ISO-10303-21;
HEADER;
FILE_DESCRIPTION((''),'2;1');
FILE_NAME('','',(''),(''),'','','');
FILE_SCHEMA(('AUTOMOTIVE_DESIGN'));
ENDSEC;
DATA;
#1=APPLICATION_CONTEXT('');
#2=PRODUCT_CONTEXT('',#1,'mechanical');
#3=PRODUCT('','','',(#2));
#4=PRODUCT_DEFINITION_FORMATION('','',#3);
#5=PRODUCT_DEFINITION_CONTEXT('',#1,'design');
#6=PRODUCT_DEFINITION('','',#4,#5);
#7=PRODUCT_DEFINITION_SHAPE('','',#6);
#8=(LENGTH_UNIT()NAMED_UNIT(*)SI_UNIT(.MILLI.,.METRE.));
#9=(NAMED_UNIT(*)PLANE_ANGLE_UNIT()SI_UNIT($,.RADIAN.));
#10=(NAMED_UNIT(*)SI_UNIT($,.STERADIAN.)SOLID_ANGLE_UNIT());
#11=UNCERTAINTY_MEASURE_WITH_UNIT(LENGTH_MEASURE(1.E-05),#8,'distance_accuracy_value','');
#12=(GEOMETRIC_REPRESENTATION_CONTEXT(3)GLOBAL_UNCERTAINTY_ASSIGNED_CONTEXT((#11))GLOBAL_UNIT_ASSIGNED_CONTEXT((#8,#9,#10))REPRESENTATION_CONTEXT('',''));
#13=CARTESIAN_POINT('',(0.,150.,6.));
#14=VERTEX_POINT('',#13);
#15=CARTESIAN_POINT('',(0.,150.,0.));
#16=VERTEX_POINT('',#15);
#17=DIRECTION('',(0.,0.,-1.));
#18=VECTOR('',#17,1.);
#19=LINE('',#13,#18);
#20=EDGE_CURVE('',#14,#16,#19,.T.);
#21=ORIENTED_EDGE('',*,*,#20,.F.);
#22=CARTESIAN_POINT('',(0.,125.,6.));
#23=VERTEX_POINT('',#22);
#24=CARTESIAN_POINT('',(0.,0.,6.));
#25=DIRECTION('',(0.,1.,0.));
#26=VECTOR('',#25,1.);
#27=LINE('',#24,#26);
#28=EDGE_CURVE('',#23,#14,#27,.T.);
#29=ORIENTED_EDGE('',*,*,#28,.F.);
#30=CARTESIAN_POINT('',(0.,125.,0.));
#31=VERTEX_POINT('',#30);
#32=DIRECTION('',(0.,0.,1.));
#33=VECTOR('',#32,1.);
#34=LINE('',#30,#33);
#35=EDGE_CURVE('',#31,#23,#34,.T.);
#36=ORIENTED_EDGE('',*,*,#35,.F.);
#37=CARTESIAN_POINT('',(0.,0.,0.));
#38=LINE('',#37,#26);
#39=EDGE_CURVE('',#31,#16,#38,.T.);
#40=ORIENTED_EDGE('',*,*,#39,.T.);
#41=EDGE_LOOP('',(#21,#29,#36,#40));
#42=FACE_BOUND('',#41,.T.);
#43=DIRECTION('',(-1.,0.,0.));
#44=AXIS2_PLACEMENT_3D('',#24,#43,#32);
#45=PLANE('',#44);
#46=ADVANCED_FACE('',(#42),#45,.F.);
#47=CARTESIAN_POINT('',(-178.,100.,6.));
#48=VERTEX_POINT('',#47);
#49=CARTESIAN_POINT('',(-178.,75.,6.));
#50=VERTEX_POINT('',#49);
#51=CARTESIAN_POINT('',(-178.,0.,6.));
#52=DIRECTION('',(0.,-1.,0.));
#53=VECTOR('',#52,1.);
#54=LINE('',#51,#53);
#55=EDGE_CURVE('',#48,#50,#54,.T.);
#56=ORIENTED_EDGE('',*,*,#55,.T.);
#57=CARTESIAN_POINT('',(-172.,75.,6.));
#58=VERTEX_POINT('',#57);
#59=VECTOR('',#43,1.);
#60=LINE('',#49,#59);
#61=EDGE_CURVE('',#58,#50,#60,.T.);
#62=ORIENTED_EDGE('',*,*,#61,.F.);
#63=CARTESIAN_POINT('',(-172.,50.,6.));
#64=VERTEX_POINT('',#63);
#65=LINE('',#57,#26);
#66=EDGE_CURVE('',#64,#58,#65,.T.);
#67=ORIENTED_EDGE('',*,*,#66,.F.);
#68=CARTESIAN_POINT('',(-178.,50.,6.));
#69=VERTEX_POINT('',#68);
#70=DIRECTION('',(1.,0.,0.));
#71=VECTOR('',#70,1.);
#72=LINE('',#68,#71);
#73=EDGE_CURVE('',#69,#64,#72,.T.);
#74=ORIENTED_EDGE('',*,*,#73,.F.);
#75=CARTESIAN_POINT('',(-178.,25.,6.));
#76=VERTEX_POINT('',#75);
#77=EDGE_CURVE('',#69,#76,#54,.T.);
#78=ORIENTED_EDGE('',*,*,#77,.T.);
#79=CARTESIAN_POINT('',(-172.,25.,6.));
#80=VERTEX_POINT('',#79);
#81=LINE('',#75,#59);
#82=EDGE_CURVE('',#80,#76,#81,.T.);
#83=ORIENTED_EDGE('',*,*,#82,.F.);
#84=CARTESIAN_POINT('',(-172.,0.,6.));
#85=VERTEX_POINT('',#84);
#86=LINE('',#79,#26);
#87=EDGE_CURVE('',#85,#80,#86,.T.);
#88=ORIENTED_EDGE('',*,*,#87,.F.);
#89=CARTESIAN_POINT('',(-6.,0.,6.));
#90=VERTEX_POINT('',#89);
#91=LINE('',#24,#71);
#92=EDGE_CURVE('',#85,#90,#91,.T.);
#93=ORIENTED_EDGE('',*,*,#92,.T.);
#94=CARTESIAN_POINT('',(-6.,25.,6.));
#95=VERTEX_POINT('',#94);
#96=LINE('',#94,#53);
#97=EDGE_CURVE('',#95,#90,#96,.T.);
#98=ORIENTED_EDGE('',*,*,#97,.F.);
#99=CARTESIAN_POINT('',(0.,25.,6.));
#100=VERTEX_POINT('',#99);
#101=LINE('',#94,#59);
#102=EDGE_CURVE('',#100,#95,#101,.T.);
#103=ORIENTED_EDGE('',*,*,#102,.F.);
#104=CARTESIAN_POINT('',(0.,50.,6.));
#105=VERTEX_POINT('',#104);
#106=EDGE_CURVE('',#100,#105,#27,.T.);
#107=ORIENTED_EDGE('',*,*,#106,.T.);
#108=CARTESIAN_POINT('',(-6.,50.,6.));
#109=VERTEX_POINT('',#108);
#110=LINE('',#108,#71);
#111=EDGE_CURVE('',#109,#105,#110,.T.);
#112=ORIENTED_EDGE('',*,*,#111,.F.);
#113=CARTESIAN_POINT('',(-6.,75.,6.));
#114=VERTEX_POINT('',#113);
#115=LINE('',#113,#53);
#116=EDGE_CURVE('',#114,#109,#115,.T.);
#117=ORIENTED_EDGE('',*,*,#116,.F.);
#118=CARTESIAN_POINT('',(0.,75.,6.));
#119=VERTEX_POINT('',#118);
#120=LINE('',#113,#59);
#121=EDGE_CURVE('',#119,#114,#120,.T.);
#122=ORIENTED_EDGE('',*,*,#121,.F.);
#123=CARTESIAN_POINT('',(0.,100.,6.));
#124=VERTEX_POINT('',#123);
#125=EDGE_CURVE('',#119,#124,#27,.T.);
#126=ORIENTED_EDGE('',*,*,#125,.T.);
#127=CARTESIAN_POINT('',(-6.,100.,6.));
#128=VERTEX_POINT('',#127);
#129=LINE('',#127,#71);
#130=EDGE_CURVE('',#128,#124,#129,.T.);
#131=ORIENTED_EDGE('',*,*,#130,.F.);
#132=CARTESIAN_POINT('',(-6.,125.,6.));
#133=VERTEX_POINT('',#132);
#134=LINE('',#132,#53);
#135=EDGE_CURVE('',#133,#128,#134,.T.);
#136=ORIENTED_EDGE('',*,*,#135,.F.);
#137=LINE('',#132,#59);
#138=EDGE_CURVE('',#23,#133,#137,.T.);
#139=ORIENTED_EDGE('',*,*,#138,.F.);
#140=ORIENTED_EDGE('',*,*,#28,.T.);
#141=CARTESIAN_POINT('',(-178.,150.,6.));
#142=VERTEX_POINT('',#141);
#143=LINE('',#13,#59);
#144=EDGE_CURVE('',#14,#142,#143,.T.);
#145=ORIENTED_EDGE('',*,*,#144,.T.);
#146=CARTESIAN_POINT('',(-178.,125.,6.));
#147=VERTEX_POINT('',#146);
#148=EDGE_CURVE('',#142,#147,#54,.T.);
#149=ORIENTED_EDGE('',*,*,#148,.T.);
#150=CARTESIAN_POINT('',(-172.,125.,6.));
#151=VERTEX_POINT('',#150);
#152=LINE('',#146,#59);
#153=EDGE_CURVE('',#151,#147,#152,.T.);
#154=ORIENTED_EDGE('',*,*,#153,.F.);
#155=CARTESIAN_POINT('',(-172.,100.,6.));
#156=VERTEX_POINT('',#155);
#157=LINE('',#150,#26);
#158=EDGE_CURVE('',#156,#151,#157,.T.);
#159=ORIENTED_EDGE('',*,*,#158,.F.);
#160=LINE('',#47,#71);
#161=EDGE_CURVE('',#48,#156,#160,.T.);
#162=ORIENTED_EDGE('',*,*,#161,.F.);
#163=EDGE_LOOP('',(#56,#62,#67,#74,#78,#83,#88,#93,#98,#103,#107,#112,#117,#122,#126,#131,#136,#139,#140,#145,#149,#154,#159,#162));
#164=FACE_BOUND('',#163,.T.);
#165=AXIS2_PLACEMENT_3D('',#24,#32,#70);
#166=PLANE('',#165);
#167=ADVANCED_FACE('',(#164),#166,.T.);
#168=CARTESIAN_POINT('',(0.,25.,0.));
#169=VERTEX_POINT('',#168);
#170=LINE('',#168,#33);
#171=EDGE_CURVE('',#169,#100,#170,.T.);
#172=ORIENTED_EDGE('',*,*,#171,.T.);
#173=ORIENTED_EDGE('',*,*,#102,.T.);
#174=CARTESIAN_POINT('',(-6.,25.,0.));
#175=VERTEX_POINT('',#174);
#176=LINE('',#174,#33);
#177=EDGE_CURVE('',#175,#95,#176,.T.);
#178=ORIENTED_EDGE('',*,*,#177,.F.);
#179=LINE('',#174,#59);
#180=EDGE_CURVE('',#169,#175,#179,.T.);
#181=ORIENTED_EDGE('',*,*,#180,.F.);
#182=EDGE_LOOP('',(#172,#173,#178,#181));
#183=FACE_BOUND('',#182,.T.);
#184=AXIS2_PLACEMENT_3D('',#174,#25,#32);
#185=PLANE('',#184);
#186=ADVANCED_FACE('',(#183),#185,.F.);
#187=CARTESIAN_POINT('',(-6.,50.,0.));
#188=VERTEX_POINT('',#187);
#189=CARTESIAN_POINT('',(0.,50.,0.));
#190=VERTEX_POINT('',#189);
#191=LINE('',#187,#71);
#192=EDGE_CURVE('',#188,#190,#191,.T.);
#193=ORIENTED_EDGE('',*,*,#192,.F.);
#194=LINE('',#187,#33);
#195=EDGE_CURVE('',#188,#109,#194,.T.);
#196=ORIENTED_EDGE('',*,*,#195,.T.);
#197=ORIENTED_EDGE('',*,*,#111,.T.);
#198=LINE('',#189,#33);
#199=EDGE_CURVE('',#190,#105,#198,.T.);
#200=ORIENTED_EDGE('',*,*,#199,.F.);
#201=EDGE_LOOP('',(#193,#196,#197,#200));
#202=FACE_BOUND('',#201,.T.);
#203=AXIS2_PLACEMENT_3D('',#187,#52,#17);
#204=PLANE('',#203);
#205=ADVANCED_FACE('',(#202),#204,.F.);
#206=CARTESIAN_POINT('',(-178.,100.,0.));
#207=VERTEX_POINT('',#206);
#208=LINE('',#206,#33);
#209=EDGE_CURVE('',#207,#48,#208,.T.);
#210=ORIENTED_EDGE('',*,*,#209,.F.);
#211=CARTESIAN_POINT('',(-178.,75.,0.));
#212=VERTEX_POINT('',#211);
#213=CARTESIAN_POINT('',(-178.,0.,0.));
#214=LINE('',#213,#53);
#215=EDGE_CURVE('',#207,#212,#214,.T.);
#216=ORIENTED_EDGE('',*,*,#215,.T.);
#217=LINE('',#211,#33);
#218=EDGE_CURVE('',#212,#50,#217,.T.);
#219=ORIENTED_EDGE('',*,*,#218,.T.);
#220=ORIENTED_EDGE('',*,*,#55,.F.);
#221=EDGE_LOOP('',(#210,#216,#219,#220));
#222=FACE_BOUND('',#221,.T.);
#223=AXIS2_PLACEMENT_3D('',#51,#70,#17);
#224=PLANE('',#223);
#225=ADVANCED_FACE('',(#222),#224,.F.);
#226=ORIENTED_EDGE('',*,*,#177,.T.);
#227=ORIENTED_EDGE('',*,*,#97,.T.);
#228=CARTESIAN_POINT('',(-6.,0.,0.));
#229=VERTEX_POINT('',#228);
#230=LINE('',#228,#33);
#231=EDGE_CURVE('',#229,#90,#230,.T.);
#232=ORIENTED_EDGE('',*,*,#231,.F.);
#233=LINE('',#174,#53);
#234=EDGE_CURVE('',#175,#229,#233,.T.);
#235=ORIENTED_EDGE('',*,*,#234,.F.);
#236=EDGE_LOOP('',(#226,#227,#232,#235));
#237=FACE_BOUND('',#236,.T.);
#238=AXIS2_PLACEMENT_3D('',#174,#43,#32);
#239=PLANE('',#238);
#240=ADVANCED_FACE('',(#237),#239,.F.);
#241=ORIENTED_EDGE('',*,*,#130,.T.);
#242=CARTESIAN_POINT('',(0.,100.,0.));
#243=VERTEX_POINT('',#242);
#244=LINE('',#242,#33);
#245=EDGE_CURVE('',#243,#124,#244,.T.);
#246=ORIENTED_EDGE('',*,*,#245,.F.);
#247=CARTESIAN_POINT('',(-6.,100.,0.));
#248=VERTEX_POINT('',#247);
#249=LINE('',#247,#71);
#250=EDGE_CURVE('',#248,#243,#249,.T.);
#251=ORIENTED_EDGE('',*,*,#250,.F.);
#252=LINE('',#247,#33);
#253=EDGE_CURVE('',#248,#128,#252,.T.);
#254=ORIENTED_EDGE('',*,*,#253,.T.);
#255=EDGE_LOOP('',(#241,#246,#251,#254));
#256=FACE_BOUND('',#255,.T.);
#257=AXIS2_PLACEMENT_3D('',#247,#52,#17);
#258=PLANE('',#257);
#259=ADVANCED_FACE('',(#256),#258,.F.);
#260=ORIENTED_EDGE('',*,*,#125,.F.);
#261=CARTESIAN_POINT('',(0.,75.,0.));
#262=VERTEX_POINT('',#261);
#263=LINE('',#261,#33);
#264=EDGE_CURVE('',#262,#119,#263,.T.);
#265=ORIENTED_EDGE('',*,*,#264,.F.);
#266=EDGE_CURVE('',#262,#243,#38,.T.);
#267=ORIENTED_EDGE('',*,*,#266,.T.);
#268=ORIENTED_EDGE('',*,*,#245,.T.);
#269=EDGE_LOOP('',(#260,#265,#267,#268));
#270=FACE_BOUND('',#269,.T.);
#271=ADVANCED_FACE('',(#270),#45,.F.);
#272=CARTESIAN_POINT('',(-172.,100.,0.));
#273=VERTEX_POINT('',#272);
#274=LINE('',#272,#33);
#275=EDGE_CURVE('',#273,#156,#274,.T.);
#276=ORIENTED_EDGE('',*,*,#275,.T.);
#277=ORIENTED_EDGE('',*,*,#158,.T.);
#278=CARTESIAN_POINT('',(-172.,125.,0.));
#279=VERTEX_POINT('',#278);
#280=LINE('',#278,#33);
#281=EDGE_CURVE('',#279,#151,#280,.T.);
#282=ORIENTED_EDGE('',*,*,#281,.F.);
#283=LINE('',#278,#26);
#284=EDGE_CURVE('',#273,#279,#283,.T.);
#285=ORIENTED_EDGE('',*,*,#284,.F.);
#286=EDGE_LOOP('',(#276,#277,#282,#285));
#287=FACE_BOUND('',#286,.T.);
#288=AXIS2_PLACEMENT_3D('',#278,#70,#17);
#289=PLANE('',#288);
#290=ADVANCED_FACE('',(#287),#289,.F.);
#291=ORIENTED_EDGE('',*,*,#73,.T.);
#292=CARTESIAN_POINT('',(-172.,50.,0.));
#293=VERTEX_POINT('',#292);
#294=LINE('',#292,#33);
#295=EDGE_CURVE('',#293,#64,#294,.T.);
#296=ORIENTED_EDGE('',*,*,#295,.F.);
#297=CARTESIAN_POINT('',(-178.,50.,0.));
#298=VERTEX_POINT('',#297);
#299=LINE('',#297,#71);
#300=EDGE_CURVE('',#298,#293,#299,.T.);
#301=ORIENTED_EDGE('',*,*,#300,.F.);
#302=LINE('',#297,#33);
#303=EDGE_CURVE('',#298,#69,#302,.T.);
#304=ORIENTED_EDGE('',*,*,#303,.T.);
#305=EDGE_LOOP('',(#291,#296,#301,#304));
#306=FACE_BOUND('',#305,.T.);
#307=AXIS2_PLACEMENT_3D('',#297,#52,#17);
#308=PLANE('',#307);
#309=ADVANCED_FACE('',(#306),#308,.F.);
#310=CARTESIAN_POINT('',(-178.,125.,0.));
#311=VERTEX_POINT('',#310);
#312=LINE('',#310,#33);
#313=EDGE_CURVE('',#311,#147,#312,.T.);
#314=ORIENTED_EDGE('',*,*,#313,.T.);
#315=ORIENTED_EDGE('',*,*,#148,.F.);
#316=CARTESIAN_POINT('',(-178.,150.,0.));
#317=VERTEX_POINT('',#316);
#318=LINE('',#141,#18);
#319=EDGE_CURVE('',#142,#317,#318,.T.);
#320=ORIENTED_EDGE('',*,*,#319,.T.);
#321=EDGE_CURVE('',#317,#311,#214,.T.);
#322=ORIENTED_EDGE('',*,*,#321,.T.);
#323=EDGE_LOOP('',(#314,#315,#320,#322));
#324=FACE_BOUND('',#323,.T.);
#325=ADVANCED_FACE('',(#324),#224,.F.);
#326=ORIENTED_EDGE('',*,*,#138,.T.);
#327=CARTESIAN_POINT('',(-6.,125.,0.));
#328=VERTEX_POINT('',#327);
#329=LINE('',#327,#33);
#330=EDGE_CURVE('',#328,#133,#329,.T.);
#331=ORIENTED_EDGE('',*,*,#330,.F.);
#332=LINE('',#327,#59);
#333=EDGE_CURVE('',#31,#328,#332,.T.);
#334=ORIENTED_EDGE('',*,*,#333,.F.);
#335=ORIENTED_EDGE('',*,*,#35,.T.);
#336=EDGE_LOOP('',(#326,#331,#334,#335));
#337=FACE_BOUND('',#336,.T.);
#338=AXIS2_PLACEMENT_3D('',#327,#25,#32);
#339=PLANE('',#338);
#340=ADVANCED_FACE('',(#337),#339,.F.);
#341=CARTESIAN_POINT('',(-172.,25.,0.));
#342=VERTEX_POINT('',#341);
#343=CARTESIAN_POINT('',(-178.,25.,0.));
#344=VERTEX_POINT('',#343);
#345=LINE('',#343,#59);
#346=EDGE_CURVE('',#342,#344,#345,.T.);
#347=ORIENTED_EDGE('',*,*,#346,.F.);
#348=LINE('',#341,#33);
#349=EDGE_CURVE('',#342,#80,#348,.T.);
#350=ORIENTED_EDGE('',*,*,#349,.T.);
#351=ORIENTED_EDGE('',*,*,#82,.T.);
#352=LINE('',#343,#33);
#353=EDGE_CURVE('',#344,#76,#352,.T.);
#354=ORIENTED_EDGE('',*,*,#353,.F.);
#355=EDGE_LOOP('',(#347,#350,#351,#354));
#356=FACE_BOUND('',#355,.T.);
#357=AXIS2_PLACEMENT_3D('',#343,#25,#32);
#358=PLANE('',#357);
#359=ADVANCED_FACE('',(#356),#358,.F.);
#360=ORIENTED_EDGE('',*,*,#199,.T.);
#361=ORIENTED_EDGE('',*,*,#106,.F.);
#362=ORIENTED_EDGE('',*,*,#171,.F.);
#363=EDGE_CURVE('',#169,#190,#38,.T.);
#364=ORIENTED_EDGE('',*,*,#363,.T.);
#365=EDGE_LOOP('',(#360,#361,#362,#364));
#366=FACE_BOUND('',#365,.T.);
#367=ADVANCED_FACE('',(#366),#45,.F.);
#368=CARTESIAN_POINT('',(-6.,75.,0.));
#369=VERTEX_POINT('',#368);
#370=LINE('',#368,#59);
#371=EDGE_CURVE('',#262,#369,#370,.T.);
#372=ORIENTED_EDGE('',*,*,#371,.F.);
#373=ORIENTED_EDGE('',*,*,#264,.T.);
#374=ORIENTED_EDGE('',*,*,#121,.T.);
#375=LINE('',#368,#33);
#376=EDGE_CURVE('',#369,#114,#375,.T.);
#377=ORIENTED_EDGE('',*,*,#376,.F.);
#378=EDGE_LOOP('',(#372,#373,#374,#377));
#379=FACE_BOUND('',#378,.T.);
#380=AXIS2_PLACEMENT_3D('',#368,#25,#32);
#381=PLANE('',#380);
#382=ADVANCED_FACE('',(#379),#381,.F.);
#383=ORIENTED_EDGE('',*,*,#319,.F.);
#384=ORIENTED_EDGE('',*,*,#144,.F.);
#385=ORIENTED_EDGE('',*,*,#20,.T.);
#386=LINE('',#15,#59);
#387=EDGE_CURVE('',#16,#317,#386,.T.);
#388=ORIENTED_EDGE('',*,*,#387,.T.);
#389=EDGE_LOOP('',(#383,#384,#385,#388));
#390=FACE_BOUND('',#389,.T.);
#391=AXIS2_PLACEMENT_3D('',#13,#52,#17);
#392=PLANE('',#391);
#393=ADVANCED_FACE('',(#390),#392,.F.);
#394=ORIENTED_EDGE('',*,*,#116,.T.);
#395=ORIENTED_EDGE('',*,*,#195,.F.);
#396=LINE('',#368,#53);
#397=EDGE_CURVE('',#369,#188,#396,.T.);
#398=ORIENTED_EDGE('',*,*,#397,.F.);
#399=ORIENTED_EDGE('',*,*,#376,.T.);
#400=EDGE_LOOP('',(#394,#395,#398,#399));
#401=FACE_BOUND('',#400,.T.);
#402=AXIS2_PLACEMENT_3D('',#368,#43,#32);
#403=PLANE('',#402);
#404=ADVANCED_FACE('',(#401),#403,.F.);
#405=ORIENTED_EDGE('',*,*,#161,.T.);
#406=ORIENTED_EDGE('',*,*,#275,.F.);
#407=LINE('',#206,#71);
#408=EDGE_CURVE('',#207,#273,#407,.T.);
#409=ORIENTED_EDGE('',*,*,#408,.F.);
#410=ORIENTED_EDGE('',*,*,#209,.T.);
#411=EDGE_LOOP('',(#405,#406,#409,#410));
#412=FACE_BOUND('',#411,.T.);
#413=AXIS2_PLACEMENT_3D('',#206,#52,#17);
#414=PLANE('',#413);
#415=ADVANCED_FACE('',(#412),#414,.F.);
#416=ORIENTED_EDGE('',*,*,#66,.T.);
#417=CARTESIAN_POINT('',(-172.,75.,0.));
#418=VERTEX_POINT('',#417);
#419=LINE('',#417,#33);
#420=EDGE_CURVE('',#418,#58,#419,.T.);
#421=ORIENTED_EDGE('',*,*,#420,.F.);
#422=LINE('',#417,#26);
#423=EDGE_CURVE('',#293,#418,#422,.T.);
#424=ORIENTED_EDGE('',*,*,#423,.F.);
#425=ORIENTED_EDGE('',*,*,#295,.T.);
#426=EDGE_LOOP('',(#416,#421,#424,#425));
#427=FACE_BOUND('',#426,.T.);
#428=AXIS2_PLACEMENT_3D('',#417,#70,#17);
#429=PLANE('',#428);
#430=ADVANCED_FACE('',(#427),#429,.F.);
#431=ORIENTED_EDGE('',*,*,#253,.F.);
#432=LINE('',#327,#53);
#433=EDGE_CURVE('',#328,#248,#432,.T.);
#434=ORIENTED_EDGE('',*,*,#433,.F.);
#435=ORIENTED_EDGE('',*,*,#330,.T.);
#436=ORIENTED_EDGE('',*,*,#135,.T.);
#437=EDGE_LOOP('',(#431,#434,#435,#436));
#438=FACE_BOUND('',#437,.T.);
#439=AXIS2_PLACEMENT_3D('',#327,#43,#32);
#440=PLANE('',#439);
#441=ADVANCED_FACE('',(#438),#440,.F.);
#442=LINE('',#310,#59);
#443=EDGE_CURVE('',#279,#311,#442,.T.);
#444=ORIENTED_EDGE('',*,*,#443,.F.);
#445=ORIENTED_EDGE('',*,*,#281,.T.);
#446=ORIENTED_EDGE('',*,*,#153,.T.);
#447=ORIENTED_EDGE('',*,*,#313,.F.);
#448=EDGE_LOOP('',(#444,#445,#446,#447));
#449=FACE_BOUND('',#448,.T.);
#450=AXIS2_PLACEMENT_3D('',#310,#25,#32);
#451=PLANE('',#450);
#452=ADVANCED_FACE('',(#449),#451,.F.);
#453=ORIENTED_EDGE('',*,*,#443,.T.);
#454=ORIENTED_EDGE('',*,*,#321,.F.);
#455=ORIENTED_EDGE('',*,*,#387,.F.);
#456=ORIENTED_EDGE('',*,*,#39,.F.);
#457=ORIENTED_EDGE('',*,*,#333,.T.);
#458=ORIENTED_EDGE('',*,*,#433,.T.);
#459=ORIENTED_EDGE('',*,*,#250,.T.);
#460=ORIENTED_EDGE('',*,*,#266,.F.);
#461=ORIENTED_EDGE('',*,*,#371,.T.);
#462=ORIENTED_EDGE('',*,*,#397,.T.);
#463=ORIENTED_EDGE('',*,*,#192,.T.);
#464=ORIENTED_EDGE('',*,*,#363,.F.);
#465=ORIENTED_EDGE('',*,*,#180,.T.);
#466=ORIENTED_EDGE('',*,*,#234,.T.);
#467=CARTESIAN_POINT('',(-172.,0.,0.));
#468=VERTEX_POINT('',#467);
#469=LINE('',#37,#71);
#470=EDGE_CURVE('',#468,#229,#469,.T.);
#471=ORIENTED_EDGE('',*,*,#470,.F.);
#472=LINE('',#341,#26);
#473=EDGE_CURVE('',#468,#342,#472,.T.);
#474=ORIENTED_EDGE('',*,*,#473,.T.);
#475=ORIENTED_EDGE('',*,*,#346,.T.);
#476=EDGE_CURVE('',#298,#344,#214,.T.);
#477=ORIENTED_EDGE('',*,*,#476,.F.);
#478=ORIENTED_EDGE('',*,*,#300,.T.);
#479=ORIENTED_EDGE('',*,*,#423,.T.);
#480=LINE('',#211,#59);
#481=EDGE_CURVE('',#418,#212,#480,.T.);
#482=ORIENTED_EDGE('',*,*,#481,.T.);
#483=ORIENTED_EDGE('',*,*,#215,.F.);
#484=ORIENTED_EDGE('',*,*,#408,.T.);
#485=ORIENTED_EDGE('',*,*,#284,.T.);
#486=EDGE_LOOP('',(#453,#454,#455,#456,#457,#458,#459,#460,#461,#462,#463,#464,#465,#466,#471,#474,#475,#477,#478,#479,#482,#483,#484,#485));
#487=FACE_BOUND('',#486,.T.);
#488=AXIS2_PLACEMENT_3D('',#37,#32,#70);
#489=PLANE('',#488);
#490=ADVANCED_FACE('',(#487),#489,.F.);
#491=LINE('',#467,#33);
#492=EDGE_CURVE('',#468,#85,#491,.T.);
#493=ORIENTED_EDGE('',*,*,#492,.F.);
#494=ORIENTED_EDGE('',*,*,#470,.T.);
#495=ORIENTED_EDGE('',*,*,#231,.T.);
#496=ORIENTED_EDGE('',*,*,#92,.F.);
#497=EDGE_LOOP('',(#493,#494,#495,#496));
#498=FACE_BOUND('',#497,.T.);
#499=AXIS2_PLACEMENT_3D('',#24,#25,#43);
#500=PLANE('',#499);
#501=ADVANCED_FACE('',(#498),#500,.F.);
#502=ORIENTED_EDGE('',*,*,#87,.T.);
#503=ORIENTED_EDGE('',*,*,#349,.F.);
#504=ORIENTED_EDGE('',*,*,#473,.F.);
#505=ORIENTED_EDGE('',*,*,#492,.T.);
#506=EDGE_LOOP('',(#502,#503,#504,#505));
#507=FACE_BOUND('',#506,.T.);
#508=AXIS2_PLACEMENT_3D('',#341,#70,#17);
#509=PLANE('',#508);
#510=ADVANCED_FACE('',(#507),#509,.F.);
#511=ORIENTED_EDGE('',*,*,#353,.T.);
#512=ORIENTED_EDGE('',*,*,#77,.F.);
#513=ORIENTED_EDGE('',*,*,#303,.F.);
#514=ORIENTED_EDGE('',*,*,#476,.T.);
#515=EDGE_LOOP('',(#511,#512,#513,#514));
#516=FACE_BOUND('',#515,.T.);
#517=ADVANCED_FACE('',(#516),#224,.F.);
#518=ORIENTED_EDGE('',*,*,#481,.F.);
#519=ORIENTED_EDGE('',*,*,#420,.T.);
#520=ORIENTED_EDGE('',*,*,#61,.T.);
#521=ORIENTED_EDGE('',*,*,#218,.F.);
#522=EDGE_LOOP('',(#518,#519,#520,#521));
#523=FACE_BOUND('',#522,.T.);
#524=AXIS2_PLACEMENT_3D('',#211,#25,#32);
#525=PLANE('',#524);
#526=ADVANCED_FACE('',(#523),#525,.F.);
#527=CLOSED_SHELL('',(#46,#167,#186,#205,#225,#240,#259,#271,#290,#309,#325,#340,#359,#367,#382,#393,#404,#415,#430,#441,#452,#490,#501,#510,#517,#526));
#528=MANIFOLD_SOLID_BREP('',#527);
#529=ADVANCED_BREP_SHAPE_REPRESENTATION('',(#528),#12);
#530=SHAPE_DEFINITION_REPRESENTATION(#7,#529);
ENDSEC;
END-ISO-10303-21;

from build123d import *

# Parameters (mm, degrees)
SKETCH1_W            = 178
SKETCH1_H            = 150
BOSS_EXTRUDE1_DEPTH  = 6
SKETCH2_W            = 6
SKETCH2_H            = 25
CUT_EXTRUDE1_DEPTH   = 6
LPATTERN1_COUNT      = 3
LPATTERN1_PITCH      = 50
LPATTERN1_COUNT_DIR2 = 2
LPATTERN1_PITCH_DIR2 = 172


with BuildPart() as part:
    # Sketch1 → Boss-Extrude1 (new body)
    with BuildSketch(Plane.XY):
        with Locations((-89, 75)):
            Rectangle(SKETCH1_W, SKETCH1_H)
    extrude(amount=BOSS_EXTRUDE1_DEPTH)

    # Sketch2 → Cut-Extrude1 (cut)
    with BuildSketch(Plane.XY.offset(6)):
        with Locations((-175, 112.5)):
            Rectangle(SKETCH2_W, SKETCH2_H)
    cut_extrude1 = extrude(amount=-CUT_EXTRUDE1_DEPTH, mode=Mode.SUBTRACT)

    # LPattern1: Cut-Extrude1 3 × 2
    with Locations(*[(j * LPATTERN1_PITCH_DIR2, -i * LPATTERN1_PITCH, 0) for i in range(LPATTERN1_COUNT) for j in range(LPATTERN1_COUNT_DIR2) if (i, j) != (0, 0)]):
        add(cut_extrude1, mode=Mode.SUBTRACT)


solid = part.part
